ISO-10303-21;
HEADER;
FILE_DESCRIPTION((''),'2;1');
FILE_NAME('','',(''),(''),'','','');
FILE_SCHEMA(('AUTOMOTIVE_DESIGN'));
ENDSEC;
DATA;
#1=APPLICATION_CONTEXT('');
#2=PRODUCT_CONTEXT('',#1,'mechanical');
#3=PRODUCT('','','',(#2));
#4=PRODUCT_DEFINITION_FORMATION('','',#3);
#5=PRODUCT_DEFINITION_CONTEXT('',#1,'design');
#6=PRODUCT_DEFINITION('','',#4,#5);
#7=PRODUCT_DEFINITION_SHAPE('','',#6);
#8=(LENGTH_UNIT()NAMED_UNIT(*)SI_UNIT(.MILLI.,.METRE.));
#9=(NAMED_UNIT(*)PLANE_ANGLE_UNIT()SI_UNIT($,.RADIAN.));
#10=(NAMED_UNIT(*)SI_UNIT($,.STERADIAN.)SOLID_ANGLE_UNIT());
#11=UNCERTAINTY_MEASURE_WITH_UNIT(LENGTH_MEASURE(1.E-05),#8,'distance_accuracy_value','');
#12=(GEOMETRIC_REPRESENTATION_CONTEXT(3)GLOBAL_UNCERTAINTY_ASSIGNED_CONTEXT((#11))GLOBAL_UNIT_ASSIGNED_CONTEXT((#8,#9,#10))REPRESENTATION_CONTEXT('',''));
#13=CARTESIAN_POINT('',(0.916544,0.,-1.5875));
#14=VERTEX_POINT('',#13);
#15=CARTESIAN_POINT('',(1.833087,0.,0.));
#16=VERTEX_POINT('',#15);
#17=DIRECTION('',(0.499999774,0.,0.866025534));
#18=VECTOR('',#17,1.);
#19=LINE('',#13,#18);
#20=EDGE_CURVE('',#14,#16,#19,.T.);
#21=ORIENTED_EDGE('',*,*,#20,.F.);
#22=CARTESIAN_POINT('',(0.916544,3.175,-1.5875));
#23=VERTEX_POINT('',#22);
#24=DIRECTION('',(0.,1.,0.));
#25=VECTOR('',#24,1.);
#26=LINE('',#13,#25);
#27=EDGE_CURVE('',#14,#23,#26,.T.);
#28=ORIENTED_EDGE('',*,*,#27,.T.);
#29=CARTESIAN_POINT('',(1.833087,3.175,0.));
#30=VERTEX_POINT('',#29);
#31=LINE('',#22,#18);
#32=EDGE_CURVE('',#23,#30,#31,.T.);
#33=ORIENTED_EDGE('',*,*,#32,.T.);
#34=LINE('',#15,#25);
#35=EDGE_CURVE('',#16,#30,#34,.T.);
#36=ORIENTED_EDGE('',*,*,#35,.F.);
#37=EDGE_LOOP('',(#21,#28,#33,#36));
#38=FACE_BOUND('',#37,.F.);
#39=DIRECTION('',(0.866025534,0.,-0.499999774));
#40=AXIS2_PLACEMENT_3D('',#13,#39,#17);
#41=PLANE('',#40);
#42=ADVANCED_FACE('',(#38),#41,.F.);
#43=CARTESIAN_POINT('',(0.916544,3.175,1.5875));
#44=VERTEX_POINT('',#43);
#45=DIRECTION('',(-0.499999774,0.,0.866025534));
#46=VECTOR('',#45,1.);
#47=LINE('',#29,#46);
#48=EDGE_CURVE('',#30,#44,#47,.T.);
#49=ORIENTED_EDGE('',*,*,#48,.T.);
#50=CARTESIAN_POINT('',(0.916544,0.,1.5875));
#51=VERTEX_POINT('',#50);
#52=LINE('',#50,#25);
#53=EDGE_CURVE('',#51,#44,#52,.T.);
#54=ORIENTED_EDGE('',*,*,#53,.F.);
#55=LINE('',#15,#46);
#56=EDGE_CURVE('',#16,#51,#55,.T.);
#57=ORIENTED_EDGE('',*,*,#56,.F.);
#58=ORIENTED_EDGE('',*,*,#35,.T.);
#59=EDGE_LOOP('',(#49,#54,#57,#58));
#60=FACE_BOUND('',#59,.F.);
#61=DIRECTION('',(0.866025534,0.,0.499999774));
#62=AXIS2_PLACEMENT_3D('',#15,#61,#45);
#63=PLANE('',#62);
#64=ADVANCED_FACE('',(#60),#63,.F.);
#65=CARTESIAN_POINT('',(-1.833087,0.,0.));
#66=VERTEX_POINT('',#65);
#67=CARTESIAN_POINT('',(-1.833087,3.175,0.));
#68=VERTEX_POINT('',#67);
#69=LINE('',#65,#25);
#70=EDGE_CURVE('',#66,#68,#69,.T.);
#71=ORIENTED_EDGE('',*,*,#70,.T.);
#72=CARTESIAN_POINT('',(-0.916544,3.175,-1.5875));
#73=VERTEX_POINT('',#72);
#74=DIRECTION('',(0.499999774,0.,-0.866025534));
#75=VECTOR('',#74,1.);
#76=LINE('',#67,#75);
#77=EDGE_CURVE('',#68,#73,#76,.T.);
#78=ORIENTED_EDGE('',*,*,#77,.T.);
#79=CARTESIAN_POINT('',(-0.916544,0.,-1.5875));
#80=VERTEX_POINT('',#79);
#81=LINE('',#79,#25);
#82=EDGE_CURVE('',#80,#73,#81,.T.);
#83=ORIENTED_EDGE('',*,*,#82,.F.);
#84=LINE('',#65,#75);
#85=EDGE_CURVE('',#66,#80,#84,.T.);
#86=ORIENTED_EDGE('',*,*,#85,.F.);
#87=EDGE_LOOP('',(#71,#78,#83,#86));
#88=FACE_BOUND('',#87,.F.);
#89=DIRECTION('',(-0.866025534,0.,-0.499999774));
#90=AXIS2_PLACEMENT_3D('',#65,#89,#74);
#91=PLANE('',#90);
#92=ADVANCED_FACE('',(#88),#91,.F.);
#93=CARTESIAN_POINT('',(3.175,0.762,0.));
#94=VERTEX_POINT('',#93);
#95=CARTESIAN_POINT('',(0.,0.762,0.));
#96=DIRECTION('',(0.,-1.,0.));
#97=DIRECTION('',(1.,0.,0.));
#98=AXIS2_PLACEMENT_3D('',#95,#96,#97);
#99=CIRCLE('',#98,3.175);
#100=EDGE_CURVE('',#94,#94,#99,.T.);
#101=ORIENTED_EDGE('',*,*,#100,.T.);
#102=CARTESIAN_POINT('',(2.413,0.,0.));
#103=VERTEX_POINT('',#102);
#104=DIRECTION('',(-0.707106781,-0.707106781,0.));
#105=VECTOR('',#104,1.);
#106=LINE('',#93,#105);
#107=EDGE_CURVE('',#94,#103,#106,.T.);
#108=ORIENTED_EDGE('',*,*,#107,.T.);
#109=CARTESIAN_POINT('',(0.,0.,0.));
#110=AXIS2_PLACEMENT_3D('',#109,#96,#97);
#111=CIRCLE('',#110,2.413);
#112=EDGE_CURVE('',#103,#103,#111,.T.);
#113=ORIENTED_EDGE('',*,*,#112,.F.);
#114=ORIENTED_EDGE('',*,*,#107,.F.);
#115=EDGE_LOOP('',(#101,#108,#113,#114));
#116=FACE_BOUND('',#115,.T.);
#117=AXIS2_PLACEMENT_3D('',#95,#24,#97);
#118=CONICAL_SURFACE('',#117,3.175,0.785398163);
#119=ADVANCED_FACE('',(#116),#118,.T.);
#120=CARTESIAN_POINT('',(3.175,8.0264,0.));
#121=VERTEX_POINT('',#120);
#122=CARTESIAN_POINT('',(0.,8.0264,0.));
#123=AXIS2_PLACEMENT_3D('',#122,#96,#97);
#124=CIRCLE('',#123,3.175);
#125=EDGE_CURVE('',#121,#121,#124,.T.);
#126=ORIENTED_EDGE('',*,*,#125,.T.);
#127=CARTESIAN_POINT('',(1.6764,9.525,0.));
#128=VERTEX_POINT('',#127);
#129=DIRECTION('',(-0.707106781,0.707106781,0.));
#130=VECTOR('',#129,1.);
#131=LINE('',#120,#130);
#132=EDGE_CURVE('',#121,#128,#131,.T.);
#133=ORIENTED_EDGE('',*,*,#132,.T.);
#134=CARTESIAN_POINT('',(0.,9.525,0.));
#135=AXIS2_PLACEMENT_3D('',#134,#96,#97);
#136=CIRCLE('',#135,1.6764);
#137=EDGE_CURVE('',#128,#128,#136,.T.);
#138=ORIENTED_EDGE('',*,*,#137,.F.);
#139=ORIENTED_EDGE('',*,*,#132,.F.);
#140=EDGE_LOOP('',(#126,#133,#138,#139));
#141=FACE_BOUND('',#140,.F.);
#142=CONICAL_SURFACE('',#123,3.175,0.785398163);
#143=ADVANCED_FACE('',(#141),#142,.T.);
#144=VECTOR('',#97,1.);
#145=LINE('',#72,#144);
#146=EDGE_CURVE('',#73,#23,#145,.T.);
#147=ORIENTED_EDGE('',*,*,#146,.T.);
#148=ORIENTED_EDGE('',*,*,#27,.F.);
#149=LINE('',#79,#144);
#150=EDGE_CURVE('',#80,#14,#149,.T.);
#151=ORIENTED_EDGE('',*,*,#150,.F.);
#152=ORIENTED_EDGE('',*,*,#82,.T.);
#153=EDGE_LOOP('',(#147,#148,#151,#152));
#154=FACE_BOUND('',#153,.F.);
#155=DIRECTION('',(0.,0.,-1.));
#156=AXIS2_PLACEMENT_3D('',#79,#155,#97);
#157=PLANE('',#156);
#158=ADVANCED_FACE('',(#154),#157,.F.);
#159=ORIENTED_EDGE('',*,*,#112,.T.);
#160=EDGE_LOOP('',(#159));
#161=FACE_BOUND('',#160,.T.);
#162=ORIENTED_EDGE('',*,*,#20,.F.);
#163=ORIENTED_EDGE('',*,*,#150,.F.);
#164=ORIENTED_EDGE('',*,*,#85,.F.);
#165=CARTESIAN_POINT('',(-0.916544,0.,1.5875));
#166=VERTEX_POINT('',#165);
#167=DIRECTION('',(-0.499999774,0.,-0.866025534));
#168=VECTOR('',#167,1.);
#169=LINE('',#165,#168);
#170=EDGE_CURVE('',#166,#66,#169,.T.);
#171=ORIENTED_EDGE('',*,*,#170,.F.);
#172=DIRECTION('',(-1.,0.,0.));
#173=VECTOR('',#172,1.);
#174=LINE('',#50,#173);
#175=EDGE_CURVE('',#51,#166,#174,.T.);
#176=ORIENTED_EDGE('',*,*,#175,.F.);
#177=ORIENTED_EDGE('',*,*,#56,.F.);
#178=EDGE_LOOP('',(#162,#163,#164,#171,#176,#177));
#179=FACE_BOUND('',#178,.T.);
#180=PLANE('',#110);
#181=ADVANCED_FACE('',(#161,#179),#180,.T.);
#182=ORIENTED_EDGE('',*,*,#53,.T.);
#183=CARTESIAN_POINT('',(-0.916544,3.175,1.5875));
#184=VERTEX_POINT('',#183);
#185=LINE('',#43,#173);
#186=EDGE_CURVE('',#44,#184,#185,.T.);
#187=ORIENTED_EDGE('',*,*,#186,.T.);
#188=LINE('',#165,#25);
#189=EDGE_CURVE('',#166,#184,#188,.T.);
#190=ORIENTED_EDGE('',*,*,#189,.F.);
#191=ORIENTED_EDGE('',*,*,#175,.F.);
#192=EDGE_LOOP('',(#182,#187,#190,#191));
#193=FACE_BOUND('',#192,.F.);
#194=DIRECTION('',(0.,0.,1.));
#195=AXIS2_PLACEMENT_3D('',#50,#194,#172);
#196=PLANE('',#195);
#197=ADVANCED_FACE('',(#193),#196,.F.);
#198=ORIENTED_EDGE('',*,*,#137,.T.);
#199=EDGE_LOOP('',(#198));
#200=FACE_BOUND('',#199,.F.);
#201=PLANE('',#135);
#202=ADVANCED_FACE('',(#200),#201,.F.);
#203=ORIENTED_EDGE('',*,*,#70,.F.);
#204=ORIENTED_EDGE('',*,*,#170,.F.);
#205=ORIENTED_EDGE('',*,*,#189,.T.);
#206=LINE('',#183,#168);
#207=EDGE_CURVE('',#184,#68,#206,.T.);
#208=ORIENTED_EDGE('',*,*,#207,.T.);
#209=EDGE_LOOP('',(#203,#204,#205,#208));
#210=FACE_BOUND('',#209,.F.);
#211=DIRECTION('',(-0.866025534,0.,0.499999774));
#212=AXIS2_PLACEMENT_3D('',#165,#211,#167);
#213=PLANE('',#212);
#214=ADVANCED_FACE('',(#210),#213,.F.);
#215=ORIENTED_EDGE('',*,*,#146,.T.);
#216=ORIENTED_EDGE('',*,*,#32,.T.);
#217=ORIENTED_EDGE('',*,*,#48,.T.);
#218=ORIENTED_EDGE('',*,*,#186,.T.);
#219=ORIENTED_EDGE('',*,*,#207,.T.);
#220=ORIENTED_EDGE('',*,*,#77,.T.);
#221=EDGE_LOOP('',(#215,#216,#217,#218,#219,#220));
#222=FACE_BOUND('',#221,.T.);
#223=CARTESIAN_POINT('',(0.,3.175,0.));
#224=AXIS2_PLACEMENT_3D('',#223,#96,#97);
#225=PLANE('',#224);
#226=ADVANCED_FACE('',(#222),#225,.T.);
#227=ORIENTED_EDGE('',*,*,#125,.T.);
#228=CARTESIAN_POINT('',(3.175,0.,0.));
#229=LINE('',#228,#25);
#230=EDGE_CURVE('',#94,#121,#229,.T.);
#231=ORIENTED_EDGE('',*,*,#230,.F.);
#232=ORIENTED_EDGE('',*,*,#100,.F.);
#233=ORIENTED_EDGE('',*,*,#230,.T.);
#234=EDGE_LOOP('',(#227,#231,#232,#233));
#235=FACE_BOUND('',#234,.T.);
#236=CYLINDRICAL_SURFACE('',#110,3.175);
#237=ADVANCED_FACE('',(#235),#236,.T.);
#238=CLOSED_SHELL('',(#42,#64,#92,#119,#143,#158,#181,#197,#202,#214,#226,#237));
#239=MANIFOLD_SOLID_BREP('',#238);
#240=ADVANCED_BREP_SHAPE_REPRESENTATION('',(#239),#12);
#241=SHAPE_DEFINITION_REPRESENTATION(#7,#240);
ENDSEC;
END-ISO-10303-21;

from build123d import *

# Parameters (mm, degrees)
F0_R     = 3.175
F1_DEPTH = 9.525
F2_SIZE2 = 1.4986
F2_SIZE  = 1.4986
F3_SIZE2 = 0.762
F3_SIZE  = 0.762
F5_DEPTH = 3.175


with BuildPart() as f1:
    # F0 (on Front) → F1 (new body)
    with BuildSketch(Plane.XZ):
        Circle(F0_R)
    extrude(amount=-F1_DEPTH)

    # F2
    f2_edges = [f1.edges().sort_by_distance(p)[0] for p in [
        (-3.175, 9.525, 0),
    ]]
    chamfer(f2_edges, length=F2_SIZE, length2=F2_SIZE2)

    # F3
    f3_edges = [f1.edges().sort_by_distance(p)[0] for p in [
        (-3.175, 0, 0),
    ]]
    chamfer(f3_edges, length=F3_SIZE, length2=F3_SIZE2)

    # F4 (on face) → F5 (cut)
    with BuildSketch(Plane.XZ):
        Polygon((0.916544, 1.5875), (-0.916544, 1.5875), (-1.833087, 0), (-0.916544, -1.5875), (0.916544, -1.5875), (1.833087, 0), align=None)
    extrude(amount=-F5_DEPTH, mode=Mode.SUBTRACT)


solid = f1.part
